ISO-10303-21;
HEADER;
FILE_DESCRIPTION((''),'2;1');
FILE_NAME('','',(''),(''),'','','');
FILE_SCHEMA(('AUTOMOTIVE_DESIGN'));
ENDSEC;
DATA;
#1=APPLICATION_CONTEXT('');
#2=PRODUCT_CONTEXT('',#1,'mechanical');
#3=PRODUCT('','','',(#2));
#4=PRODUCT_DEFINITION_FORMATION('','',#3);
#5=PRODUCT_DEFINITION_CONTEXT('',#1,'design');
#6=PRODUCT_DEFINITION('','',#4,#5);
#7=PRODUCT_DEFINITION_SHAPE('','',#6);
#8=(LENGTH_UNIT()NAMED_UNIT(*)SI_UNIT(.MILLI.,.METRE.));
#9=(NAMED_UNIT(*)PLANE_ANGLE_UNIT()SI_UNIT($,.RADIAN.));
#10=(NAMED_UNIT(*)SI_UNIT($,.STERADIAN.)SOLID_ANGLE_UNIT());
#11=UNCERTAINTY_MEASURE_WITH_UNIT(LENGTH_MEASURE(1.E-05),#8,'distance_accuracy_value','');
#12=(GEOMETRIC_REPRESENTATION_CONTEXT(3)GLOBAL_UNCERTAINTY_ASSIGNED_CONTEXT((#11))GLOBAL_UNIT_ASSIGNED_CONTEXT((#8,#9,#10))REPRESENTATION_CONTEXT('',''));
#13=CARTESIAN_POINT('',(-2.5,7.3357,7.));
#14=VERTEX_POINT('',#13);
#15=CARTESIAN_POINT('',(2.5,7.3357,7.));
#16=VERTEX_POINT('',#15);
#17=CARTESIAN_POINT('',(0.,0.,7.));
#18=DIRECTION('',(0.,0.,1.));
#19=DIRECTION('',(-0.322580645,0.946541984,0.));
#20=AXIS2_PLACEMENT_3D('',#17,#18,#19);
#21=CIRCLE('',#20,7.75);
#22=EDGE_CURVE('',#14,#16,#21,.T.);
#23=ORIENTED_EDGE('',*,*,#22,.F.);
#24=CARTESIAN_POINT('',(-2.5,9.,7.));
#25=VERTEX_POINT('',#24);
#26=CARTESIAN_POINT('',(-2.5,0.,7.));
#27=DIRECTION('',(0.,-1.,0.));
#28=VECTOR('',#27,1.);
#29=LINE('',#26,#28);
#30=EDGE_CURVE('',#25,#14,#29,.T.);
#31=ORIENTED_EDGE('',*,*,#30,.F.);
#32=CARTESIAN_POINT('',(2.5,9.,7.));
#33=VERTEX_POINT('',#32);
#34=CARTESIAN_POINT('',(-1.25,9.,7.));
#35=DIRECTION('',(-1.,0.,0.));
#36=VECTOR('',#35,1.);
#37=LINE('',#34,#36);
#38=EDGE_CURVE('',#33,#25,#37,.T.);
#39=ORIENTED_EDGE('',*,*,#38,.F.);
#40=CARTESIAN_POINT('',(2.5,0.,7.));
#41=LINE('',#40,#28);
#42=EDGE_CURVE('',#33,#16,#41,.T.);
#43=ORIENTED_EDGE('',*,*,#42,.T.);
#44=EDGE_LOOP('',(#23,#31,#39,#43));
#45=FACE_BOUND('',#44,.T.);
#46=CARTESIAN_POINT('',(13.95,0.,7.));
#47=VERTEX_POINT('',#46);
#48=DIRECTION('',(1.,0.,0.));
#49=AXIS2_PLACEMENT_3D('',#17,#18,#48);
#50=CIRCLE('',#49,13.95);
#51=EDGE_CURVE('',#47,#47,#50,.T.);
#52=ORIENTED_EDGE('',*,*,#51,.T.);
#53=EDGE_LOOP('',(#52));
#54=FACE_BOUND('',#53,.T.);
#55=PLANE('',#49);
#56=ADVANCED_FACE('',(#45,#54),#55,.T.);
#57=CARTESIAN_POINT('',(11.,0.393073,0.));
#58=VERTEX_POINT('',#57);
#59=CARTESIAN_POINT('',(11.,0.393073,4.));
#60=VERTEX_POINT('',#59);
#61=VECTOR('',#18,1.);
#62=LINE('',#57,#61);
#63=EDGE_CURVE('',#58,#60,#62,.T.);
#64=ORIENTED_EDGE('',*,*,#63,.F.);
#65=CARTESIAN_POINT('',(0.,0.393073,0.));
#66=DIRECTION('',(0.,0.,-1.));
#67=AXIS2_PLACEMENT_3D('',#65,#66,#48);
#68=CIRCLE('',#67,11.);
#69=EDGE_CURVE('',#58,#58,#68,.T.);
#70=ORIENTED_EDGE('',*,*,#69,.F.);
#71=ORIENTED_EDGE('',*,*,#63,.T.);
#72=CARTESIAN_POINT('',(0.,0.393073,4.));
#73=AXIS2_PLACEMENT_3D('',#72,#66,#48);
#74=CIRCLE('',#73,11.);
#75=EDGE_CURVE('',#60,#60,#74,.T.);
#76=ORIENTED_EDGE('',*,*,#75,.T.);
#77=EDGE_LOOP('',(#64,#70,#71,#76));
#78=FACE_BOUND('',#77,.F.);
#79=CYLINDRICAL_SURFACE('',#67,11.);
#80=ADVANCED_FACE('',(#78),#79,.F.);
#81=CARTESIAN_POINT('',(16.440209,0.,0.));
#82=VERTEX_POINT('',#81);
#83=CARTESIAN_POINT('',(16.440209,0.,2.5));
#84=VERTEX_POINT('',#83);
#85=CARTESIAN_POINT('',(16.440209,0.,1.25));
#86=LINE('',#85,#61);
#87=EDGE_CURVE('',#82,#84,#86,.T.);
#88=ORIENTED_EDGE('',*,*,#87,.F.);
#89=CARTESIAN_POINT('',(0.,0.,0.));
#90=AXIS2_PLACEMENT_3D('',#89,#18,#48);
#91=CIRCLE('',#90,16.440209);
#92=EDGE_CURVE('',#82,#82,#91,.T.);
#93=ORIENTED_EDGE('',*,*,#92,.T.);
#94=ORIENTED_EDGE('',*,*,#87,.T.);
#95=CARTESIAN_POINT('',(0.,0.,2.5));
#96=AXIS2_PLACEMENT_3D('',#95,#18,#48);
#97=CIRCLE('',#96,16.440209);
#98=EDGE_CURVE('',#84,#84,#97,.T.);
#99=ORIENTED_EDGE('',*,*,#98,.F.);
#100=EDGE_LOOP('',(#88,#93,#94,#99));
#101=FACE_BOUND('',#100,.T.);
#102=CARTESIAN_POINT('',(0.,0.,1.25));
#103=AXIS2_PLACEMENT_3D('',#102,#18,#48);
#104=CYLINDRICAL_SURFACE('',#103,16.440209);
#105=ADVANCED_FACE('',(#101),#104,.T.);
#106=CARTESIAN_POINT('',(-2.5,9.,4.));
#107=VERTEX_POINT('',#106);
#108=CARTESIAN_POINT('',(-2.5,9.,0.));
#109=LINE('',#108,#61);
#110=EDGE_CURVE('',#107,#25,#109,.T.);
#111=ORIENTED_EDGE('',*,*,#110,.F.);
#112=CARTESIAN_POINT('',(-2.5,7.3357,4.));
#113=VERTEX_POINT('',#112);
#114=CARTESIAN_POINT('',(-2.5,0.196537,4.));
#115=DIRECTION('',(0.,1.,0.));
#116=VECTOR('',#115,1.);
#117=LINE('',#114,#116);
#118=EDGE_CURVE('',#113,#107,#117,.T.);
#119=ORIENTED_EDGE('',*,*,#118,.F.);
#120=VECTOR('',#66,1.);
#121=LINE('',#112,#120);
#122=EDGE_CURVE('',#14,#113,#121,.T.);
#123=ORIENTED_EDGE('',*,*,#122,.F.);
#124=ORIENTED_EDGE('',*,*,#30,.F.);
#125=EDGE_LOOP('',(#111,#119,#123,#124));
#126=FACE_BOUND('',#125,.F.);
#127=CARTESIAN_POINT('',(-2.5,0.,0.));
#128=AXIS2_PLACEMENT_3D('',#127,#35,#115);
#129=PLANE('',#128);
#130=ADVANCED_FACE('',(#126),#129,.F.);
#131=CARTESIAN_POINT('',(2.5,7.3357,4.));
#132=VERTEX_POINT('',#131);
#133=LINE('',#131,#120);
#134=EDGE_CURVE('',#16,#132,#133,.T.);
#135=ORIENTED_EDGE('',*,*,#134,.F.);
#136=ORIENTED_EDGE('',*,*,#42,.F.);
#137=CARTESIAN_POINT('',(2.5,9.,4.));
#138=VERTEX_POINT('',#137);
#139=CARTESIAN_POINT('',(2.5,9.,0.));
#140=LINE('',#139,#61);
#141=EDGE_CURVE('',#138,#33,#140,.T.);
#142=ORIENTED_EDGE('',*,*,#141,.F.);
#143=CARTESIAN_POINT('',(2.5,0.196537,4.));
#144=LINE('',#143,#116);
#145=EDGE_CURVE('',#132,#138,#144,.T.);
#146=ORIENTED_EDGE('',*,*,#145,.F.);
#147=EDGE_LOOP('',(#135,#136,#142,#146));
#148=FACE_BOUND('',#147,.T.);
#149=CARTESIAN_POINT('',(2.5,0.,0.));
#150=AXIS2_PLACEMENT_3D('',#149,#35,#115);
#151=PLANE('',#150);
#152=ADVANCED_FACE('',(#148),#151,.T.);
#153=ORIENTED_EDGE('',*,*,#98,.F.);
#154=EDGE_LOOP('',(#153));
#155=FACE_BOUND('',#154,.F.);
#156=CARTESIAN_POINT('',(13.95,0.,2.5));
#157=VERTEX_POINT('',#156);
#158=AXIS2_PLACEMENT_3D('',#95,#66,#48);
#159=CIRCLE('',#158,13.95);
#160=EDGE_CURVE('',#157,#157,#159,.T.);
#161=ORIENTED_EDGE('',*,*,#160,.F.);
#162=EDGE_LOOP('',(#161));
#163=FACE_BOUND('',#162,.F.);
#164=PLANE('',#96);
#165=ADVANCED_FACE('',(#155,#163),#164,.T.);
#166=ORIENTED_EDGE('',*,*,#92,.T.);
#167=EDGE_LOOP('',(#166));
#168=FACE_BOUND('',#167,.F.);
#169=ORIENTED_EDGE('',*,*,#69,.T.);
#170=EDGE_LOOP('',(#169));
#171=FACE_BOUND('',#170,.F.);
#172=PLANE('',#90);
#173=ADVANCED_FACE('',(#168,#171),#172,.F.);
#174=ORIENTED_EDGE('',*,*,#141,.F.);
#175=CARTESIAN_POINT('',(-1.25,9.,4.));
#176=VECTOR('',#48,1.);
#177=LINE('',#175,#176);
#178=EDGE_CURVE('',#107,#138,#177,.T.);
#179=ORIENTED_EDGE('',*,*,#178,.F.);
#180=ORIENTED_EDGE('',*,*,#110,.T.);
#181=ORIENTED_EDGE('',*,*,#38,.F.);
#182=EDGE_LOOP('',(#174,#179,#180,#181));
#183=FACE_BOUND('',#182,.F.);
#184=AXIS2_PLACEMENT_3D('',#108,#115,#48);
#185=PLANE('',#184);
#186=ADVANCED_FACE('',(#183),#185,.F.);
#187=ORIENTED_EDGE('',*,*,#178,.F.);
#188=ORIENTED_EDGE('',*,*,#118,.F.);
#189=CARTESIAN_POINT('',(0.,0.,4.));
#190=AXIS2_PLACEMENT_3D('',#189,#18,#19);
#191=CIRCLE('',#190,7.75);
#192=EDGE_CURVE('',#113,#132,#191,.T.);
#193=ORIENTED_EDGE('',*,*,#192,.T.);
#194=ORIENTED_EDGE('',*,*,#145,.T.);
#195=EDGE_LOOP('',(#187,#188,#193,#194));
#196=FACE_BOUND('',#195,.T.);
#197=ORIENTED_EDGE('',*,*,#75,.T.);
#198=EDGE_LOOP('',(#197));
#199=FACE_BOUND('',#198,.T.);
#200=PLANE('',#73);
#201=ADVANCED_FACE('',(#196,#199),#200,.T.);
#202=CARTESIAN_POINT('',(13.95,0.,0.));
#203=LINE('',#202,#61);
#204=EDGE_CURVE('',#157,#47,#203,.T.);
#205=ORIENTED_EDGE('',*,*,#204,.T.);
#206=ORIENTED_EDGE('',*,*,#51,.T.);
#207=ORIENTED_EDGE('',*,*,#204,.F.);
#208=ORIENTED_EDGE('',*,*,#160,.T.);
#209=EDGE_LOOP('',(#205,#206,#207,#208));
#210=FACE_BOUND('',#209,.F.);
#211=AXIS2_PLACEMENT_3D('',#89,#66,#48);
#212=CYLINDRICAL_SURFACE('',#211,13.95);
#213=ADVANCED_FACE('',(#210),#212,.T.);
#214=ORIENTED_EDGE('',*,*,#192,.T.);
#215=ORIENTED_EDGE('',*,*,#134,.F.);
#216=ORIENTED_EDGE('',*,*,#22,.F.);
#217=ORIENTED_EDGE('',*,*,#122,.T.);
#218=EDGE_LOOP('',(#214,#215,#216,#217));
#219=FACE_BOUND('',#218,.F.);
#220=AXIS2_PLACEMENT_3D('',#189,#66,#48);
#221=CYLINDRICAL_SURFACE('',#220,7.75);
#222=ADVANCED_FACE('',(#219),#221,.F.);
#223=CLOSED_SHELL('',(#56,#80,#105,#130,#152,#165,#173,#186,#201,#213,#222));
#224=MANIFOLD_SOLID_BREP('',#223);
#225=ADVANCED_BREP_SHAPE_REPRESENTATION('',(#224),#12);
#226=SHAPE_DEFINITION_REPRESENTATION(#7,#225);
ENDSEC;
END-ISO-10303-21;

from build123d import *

# Parameters (mm, degrees)
F0_R     = 13.95
F1_DEPTH = 7
F2_R     = 11
F3_DEPTH = 4
F4_R     = 7.75
F5_DEPTH = 25
F6_W     = 2.5
F6_H     = 2.5
F8_W     = 5
F8_H     = 9
F9_DEPTH = 25


with BuildPart() as f1:
    # F0 (on Top) → F1 (new body)
    with BuildSketch(Plane.XY):
        Circle(F0_R)
    extrude(amount=F1_DEPTH)

    # F2 (on face) → F3 (cut)
    with BuildSketch(Plane(origin=(0, 0, 0), x_dir=(1, 0, 0), z_dir=(0, 0, -1))):
        with Locations((0, -0.393073)):
            Circle(F2_R)
    extrude(amount=-F3_DEPTH, mode=Mode.SUBTRACT)

    # F4 (on face) → F5 (cut)
    with BuildSketch(Plane(origin=(0, 0, 4), x_dir=(1, 0, 0), z_dir=(0, 0, -1))):
        Circle(F4_R)
    extrude(amount=-F5_DEPTH, mode=Mode.SUBTRACT)

    # F6 (on Front) → F7 (revolve)
    with BuildSketch(Plane.XZ):
        with Locations((15.190209, 1.25)):
            Rectangle(F6_W, F6_H)
    revolve(axis=Axis((0, 0, 5.198275), (0, 0, 1)))

    # F8 (on Top) → F9 (cut)
    with BuildSketch(Plane.XY):
        with Locations((0, 4.5)):
            Rectangle(F8_W, F8_H)
    extrude(amount=F9_DEPTH, mode=Mode.SUBTRACT)


solid = f1.part
